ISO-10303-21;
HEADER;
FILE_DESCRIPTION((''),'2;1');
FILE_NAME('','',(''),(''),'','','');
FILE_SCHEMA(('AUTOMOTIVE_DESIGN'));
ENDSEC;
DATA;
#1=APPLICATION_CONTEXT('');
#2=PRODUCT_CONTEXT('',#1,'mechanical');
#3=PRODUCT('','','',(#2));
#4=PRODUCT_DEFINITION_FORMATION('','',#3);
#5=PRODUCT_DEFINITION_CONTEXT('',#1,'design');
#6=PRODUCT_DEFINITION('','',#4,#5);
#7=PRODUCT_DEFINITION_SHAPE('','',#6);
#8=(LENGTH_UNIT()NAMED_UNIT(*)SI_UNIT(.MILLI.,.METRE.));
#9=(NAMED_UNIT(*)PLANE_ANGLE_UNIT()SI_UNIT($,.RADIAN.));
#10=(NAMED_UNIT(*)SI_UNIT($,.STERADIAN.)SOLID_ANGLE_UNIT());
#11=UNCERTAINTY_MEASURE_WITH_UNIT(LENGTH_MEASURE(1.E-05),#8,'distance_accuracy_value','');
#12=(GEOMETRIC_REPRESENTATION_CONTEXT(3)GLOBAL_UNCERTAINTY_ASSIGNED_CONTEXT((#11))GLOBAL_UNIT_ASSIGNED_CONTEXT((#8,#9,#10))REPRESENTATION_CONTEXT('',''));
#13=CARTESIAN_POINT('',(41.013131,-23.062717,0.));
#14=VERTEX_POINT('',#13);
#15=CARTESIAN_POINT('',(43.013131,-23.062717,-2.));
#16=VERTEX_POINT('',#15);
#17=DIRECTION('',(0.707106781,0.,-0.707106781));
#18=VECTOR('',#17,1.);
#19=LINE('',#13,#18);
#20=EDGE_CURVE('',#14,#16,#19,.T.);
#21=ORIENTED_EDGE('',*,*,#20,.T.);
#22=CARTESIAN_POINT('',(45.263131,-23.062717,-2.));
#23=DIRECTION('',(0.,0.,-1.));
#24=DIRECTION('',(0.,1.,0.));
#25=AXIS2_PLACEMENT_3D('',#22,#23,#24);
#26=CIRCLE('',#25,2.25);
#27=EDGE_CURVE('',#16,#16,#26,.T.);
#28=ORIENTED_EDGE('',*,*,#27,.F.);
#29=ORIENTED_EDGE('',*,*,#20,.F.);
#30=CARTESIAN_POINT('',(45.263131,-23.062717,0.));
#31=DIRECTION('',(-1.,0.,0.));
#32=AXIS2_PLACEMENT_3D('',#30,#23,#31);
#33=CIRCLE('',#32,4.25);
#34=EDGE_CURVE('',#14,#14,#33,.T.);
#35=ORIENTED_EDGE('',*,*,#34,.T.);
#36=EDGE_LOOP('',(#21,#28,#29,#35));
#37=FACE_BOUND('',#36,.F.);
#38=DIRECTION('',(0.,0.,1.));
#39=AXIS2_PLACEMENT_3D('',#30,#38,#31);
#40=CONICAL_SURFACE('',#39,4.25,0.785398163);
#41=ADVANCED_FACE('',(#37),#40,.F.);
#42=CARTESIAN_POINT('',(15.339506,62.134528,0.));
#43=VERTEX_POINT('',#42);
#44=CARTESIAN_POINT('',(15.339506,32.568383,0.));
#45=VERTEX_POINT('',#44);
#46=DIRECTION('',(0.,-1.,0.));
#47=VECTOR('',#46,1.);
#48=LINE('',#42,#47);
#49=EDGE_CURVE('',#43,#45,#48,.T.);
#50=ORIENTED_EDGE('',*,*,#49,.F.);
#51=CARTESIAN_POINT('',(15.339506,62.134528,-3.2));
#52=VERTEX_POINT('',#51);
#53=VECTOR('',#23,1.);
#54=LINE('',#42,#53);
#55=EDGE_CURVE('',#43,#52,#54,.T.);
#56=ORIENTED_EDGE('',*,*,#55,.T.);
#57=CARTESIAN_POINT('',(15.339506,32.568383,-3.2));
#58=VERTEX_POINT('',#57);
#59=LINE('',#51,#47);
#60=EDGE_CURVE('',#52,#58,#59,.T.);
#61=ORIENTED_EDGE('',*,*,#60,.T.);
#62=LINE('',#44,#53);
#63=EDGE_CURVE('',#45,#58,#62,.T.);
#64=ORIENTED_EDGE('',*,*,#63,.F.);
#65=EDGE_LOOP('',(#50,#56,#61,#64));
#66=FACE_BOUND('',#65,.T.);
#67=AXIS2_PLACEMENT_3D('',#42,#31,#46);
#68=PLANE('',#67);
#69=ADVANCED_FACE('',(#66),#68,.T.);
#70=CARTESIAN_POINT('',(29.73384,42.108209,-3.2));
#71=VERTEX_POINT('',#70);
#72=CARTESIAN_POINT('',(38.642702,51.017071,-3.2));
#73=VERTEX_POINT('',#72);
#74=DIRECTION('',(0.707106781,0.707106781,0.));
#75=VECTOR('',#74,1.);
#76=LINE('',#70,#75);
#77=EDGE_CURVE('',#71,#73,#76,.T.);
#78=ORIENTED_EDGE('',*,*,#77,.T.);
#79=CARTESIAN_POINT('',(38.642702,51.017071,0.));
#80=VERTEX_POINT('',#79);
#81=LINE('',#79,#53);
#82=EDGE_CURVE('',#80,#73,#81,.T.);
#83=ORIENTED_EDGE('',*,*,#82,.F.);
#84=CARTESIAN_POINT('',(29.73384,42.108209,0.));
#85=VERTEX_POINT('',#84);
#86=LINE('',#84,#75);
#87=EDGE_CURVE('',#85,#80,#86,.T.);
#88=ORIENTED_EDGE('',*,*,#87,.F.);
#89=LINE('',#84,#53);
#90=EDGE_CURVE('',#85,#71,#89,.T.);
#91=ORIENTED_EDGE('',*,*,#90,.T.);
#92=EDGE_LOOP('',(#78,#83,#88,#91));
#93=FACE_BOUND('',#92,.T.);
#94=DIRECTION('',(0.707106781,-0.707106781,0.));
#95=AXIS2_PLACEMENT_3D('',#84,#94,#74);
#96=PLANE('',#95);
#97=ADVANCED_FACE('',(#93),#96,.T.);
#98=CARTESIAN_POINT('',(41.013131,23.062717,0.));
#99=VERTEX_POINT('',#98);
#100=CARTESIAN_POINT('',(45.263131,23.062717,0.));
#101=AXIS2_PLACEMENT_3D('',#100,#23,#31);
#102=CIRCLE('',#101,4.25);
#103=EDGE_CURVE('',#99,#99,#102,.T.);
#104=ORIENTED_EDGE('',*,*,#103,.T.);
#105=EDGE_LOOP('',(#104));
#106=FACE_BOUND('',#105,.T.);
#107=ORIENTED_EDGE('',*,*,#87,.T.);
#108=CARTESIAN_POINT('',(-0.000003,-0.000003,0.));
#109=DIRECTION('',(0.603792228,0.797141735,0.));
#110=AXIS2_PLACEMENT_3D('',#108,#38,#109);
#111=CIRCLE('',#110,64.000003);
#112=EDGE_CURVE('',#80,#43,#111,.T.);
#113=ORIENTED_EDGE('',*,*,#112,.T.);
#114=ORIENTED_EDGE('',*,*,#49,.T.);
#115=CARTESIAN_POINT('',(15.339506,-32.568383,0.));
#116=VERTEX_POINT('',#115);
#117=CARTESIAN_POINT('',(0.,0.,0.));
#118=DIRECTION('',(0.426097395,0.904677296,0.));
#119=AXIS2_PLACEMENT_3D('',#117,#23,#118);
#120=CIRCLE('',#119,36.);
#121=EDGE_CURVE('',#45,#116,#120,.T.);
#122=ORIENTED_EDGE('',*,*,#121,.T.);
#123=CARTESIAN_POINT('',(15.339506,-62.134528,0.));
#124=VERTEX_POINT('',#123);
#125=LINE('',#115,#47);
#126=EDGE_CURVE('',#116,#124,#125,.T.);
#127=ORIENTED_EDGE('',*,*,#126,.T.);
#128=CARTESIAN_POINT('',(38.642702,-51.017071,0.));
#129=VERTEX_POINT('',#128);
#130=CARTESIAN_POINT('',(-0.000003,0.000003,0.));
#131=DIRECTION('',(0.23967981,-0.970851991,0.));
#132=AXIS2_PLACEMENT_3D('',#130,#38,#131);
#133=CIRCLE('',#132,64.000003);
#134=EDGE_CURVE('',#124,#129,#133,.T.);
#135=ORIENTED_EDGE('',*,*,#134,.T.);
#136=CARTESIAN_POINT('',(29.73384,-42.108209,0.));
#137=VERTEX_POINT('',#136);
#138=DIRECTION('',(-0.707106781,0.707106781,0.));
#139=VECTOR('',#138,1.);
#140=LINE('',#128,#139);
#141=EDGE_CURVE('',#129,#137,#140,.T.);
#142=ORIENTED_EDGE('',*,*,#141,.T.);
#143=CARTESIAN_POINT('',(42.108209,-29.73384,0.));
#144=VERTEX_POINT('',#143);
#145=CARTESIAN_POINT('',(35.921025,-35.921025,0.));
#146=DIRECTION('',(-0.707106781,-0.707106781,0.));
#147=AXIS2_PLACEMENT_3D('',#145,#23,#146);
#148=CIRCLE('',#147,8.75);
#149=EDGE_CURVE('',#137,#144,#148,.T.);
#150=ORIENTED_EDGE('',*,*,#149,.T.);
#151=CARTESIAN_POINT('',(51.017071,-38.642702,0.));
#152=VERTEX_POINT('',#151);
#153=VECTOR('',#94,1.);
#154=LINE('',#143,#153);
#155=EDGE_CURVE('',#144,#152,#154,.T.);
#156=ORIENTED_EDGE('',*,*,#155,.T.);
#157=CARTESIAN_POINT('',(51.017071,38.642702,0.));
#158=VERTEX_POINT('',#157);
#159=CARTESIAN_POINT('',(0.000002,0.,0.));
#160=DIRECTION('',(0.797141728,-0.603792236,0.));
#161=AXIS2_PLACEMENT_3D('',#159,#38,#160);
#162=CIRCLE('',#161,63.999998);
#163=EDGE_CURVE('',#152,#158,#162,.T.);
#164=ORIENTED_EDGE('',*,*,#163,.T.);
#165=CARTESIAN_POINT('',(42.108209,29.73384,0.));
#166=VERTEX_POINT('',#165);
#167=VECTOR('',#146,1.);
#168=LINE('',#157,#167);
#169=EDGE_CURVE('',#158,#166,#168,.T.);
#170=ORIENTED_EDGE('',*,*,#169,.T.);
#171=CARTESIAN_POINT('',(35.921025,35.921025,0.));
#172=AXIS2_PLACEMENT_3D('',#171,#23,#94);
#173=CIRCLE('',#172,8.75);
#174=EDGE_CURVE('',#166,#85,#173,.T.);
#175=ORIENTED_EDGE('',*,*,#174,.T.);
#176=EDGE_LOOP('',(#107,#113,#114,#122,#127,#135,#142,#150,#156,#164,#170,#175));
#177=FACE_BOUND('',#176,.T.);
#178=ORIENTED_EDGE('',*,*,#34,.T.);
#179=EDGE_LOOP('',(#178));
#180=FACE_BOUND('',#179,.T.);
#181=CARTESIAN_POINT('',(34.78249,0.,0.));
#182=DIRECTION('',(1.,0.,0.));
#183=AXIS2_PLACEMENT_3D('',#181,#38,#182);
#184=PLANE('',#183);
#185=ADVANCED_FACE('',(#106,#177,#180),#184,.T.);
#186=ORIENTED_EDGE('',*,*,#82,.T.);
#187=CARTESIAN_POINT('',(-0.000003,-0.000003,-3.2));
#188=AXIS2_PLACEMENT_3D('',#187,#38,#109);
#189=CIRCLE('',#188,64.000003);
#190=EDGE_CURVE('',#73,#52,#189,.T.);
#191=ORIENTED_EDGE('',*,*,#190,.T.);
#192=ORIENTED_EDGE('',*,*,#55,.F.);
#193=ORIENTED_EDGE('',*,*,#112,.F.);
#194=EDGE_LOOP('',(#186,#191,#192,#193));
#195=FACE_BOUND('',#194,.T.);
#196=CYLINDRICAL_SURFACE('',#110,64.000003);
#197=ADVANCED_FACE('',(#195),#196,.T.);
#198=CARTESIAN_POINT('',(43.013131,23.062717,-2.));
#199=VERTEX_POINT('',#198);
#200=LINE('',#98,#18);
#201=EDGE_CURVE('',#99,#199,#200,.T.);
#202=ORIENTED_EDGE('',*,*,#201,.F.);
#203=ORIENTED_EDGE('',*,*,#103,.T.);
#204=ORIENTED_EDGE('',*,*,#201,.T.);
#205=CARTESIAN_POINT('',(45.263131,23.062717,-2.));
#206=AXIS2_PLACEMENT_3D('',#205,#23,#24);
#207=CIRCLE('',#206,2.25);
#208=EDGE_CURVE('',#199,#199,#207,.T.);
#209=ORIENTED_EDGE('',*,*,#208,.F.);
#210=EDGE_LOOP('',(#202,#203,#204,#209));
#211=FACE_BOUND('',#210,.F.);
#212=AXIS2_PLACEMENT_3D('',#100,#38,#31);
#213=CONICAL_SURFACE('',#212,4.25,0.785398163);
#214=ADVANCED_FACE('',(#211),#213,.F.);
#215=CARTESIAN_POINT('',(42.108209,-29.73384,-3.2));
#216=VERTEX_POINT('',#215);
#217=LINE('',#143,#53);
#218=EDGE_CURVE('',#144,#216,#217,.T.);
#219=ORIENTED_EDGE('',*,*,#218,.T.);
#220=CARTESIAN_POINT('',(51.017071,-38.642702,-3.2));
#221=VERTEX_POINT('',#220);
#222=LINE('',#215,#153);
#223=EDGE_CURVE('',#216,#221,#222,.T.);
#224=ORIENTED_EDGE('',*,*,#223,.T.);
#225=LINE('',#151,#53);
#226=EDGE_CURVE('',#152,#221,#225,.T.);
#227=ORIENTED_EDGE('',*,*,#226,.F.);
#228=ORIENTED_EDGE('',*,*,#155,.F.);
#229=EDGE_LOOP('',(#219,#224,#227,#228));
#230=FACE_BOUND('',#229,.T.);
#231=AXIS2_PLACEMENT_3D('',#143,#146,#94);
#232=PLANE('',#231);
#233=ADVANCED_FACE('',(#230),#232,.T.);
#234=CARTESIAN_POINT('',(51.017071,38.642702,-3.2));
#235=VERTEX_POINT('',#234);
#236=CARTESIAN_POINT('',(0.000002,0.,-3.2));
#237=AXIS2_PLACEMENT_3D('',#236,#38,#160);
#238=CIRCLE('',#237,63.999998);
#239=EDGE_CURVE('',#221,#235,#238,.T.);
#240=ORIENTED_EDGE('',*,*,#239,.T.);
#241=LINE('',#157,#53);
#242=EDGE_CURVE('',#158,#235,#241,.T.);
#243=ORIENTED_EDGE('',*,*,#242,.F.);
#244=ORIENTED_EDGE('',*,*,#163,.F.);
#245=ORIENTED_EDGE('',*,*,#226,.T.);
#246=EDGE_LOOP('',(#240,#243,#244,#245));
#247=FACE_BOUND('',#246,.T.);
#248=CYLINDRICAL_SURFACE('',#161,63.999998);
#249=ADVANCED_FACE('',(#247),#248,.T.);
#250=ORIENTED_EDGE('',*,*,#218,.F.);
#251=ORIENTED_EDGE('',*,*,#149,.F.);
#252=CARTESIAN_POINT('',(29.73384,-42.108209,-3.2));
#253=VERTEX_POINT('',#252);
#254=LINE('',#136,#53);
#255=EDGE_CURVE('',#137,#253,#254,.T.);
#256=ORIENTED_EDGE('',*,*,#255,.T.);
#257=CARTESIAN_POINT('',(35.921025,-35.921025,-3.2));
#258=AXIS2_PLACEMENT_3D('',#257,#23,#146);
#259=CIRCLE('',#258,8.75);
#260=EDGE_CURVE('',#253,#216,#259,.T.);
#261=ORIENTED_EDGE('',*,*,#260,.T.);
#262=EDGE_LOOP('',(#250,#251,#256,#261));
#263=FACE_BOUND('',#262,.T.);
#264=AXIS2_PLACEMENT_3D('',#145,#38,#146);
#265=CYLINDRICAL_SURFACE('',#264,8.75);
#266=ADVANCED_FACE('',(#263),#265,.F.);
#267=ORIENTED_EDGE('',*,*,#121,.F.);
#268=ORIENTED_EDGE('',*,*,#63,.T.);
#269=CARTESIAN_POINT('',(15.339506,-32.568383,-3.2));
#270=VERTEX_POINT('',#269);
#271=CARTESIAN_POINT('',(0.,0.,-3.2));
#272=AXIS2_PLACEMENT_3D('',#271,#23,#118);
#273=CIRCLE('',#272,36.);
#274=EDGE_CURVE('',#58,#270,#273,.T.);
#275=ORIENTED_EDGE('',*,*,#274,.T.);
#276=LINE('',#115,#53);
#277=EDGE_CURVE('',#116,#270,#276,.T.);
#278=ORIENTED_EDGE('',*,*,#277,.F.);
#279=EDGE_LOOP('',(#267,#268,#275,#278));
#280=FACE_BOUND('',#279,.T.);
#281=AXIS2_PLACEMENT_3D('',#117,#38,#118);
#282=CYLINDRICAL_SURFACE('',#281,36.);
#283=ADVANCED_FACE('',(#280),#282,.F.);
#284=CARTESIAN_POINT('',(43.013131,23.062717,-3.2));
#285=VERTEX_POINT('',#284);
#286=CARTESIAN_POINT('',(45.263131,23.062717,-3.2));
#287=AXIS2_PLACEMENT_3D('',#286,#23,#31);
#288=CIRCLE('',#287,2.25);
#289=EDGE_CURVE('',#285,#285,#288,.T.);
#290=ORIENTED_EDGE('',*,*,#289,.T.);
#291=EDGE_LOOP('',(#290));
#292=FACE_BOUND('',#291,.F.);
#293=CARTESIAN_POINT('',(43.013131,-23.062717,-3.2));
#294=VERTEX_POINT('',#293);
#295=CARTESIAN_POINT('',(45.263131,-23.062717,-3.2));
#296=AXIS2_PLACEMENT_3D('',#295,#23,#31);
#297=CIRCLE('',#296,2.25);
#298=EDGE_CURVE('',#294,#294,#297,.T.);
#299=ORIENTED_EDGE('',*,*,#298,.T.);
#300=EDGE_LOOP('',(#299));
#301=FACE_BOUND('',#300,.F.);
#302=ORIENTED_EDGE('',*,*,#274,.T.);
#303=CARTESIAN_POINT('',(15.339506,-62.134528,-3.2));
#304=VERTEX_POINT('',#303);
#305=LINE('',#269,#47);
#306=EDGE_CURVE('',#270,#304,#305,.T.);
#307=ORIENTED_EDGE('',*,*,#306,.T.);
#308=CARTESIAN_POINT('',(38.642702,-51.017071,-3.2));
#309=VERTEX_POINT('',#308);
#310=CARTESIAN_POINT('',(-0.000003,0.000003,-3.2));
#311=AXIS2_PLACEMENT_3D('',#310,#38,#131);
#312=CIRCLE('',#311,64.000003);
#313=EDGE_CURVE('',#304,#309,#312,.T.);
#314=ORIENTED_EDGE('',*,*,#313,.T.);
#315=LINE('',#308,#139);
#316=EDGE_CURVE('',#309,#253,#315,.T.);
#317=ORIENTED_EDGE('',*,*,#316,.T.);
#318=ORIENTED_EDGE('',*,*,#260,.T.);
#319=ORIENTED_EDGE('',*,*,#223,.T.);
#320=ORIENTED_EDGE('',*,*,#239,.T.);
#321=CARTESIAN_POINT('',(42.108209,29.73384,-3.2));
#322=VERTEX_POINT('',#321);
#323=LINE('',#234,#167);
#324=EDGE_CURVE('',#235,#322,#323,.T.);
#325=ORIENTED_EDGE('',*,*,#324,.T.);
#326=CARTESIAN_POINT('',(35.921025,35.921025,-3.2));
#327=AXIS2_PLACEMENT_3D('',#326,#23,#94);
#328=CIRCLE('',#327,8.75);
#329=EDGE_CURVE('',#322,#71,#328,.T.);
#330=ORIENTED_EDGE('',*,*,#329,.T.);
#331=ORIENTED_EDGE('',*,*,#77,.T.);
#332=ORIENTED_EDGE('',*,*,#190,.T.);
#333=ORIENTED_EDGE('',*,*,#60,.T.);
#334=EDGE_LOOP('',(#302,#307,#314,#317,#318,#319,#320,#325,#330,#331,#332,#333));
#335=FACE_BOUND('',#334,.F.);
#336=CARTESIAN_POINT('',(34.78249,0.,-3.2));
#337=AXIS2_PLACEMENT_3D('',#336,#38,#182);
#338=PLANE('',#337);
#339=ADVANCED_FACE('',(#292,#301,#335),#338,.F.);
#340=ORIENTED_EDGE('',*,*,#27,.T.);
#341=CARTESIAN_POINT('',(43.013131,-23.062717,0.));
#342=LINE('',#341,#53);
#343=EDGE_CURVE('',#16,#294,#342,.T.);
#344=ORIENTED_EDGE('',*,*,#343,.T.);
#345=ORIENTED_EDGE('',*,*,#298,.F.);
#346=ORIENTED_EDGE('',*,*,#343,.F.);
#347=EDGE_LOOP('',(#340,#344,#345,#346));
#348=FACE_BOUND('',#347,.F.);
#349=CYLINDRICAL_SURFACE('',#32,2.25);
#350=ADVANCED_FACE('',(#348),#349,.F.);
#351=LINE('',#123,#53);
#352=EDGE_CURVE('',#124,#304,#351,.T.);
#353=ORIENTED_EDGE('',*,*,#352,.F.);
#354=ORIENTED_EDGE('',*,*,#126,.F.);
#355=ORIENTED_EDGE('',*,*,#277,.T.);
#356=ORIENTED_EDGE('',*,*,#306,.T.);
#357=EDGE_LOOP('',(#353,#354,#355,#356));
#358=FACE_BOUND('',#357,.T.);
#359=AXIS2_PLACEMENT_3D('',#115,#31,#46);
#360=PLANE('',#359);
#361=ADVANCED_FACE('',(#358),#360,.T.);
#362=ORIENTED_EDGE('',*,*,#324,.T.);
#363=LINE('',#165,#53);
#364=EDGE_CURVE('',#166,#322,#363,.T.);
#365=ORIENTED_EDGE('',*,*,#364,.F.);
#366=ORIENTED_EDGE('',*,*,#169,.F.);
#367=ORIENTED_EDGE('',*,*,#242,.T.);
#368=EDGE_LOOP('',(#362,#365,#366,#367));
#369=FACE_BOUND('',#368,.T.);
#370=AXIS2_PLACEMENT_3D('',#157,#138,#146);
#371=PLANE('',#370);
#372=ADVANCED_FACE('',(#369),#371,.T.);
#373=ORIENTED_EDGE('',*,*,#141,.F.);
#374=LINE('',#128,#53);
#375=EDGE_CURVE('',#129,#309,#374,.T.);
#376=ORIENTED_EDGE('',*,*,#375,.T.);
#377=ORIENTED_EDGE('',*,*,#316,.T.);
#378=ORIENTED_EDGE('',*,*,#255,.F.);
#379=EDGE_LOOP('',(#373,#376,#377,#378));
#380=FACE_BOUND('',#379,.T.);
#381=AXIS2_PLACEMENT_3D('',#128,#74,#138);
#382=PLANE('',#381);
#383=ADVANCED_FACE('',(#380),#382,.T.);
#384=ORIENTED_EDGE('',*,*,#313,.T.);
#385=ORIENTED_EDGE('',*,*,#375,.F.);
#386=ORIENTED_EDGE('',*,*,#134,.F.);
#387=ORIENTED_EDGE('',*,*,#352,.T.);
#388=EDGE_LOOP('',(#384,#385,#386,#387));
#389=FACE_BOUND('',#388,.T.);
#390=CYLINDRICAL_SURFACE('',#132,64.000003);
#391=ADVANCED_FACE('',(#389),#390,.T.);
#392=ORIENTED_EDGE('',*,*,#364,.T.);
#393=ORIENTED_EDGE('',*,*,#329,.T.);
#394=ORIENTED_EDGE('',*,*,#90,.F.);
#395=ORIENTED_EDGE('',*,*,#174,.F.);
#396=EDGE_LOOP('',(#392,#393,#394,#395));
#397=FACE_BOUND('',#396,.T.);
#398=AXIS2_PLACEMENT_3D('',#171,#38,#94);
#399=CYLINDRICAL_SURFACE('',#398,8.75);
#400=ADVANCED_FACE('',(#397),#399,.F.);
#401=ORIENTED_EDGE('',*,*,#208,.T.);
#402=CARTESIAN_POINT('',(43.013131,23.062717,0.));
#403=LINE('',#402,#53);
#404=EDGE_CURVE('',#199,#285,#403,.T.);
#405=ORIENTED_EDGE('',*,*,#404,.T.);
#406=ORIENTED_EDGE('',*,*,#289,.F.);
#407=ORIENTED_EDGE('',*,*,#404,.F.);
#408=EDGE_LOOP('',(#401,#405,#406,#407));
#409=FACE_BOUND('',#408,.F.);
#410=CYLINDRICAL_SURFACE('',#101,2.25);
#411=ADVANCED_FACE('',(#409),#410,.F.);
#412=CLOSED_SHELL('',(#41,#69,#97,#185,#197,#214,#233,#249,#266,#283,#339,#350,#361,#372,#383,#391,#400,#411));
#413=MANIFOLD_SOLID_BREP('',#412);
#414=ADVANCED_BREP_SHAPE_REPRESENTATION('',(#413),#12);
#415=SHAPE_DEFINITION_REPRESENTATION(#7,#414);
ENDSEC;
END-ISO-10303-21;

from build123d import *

# Parameters (mm, degrees)
F1_DEPTH       = 3.2
F3_D           = 4.5
F3_CSINK_D     = 8.5
F3_CSINK_ANGLE = 90


with BuildPart() as f1:
    # F0 (on Top) → F1 (new body)
    with BuildSketch(Plane.XY):
        with BuildLine():
            ThreePointArc((15.339506, 32.568383), (36, 0), (15.339506, -32.568383))
            Line((15.339506, -32.568383), (15.339506, -62.134528))
            ThreePointArc((15.339506, -62.134528), (27.557561, -57.763144), (38.642702, -51.017071))
            Line((38.642702, -51.017071), (29.73384, -42.108209))
            ThreePointArc((29.73384, -42.108209), (29.73384, -29.73384), (42.108209, -29.73384))
            Line((42.108209, -29.73384), (51.017071, -38.642702))
            ThreePointArc((51.017071, -38.642702), (64, 0), (51.017071, 38.642702))
            Line((51.017071, 38.642702), (42.108209, 29.73384))
            ThreePointArc((42.108209, 29.73384), (29.73384, 29.73384), (29.73384, 42.108209))
            Line((29.73384, 42.108209), (38.642702, 51.017071))
            ThreePointArc((38.642702, 51.017071), (27.557561, 57.763144), (15.339506, 62.134528))
            Line((15.339506, 62.134528), (15.339506, 32.568383))
        make_face()
    extrude(amount=-F1_DEPTH)

    # F3 (through all)
    with Locations(Plane.XY):
        with Locations((45.263131, 23.062717), (45.263131, -23.062717)):
            CounterSinkHole(F3_D / 2, F3_CSINK_D / 2, counter_sink_angle=F3_CSINK_ANGLE)


solid = f1.part
